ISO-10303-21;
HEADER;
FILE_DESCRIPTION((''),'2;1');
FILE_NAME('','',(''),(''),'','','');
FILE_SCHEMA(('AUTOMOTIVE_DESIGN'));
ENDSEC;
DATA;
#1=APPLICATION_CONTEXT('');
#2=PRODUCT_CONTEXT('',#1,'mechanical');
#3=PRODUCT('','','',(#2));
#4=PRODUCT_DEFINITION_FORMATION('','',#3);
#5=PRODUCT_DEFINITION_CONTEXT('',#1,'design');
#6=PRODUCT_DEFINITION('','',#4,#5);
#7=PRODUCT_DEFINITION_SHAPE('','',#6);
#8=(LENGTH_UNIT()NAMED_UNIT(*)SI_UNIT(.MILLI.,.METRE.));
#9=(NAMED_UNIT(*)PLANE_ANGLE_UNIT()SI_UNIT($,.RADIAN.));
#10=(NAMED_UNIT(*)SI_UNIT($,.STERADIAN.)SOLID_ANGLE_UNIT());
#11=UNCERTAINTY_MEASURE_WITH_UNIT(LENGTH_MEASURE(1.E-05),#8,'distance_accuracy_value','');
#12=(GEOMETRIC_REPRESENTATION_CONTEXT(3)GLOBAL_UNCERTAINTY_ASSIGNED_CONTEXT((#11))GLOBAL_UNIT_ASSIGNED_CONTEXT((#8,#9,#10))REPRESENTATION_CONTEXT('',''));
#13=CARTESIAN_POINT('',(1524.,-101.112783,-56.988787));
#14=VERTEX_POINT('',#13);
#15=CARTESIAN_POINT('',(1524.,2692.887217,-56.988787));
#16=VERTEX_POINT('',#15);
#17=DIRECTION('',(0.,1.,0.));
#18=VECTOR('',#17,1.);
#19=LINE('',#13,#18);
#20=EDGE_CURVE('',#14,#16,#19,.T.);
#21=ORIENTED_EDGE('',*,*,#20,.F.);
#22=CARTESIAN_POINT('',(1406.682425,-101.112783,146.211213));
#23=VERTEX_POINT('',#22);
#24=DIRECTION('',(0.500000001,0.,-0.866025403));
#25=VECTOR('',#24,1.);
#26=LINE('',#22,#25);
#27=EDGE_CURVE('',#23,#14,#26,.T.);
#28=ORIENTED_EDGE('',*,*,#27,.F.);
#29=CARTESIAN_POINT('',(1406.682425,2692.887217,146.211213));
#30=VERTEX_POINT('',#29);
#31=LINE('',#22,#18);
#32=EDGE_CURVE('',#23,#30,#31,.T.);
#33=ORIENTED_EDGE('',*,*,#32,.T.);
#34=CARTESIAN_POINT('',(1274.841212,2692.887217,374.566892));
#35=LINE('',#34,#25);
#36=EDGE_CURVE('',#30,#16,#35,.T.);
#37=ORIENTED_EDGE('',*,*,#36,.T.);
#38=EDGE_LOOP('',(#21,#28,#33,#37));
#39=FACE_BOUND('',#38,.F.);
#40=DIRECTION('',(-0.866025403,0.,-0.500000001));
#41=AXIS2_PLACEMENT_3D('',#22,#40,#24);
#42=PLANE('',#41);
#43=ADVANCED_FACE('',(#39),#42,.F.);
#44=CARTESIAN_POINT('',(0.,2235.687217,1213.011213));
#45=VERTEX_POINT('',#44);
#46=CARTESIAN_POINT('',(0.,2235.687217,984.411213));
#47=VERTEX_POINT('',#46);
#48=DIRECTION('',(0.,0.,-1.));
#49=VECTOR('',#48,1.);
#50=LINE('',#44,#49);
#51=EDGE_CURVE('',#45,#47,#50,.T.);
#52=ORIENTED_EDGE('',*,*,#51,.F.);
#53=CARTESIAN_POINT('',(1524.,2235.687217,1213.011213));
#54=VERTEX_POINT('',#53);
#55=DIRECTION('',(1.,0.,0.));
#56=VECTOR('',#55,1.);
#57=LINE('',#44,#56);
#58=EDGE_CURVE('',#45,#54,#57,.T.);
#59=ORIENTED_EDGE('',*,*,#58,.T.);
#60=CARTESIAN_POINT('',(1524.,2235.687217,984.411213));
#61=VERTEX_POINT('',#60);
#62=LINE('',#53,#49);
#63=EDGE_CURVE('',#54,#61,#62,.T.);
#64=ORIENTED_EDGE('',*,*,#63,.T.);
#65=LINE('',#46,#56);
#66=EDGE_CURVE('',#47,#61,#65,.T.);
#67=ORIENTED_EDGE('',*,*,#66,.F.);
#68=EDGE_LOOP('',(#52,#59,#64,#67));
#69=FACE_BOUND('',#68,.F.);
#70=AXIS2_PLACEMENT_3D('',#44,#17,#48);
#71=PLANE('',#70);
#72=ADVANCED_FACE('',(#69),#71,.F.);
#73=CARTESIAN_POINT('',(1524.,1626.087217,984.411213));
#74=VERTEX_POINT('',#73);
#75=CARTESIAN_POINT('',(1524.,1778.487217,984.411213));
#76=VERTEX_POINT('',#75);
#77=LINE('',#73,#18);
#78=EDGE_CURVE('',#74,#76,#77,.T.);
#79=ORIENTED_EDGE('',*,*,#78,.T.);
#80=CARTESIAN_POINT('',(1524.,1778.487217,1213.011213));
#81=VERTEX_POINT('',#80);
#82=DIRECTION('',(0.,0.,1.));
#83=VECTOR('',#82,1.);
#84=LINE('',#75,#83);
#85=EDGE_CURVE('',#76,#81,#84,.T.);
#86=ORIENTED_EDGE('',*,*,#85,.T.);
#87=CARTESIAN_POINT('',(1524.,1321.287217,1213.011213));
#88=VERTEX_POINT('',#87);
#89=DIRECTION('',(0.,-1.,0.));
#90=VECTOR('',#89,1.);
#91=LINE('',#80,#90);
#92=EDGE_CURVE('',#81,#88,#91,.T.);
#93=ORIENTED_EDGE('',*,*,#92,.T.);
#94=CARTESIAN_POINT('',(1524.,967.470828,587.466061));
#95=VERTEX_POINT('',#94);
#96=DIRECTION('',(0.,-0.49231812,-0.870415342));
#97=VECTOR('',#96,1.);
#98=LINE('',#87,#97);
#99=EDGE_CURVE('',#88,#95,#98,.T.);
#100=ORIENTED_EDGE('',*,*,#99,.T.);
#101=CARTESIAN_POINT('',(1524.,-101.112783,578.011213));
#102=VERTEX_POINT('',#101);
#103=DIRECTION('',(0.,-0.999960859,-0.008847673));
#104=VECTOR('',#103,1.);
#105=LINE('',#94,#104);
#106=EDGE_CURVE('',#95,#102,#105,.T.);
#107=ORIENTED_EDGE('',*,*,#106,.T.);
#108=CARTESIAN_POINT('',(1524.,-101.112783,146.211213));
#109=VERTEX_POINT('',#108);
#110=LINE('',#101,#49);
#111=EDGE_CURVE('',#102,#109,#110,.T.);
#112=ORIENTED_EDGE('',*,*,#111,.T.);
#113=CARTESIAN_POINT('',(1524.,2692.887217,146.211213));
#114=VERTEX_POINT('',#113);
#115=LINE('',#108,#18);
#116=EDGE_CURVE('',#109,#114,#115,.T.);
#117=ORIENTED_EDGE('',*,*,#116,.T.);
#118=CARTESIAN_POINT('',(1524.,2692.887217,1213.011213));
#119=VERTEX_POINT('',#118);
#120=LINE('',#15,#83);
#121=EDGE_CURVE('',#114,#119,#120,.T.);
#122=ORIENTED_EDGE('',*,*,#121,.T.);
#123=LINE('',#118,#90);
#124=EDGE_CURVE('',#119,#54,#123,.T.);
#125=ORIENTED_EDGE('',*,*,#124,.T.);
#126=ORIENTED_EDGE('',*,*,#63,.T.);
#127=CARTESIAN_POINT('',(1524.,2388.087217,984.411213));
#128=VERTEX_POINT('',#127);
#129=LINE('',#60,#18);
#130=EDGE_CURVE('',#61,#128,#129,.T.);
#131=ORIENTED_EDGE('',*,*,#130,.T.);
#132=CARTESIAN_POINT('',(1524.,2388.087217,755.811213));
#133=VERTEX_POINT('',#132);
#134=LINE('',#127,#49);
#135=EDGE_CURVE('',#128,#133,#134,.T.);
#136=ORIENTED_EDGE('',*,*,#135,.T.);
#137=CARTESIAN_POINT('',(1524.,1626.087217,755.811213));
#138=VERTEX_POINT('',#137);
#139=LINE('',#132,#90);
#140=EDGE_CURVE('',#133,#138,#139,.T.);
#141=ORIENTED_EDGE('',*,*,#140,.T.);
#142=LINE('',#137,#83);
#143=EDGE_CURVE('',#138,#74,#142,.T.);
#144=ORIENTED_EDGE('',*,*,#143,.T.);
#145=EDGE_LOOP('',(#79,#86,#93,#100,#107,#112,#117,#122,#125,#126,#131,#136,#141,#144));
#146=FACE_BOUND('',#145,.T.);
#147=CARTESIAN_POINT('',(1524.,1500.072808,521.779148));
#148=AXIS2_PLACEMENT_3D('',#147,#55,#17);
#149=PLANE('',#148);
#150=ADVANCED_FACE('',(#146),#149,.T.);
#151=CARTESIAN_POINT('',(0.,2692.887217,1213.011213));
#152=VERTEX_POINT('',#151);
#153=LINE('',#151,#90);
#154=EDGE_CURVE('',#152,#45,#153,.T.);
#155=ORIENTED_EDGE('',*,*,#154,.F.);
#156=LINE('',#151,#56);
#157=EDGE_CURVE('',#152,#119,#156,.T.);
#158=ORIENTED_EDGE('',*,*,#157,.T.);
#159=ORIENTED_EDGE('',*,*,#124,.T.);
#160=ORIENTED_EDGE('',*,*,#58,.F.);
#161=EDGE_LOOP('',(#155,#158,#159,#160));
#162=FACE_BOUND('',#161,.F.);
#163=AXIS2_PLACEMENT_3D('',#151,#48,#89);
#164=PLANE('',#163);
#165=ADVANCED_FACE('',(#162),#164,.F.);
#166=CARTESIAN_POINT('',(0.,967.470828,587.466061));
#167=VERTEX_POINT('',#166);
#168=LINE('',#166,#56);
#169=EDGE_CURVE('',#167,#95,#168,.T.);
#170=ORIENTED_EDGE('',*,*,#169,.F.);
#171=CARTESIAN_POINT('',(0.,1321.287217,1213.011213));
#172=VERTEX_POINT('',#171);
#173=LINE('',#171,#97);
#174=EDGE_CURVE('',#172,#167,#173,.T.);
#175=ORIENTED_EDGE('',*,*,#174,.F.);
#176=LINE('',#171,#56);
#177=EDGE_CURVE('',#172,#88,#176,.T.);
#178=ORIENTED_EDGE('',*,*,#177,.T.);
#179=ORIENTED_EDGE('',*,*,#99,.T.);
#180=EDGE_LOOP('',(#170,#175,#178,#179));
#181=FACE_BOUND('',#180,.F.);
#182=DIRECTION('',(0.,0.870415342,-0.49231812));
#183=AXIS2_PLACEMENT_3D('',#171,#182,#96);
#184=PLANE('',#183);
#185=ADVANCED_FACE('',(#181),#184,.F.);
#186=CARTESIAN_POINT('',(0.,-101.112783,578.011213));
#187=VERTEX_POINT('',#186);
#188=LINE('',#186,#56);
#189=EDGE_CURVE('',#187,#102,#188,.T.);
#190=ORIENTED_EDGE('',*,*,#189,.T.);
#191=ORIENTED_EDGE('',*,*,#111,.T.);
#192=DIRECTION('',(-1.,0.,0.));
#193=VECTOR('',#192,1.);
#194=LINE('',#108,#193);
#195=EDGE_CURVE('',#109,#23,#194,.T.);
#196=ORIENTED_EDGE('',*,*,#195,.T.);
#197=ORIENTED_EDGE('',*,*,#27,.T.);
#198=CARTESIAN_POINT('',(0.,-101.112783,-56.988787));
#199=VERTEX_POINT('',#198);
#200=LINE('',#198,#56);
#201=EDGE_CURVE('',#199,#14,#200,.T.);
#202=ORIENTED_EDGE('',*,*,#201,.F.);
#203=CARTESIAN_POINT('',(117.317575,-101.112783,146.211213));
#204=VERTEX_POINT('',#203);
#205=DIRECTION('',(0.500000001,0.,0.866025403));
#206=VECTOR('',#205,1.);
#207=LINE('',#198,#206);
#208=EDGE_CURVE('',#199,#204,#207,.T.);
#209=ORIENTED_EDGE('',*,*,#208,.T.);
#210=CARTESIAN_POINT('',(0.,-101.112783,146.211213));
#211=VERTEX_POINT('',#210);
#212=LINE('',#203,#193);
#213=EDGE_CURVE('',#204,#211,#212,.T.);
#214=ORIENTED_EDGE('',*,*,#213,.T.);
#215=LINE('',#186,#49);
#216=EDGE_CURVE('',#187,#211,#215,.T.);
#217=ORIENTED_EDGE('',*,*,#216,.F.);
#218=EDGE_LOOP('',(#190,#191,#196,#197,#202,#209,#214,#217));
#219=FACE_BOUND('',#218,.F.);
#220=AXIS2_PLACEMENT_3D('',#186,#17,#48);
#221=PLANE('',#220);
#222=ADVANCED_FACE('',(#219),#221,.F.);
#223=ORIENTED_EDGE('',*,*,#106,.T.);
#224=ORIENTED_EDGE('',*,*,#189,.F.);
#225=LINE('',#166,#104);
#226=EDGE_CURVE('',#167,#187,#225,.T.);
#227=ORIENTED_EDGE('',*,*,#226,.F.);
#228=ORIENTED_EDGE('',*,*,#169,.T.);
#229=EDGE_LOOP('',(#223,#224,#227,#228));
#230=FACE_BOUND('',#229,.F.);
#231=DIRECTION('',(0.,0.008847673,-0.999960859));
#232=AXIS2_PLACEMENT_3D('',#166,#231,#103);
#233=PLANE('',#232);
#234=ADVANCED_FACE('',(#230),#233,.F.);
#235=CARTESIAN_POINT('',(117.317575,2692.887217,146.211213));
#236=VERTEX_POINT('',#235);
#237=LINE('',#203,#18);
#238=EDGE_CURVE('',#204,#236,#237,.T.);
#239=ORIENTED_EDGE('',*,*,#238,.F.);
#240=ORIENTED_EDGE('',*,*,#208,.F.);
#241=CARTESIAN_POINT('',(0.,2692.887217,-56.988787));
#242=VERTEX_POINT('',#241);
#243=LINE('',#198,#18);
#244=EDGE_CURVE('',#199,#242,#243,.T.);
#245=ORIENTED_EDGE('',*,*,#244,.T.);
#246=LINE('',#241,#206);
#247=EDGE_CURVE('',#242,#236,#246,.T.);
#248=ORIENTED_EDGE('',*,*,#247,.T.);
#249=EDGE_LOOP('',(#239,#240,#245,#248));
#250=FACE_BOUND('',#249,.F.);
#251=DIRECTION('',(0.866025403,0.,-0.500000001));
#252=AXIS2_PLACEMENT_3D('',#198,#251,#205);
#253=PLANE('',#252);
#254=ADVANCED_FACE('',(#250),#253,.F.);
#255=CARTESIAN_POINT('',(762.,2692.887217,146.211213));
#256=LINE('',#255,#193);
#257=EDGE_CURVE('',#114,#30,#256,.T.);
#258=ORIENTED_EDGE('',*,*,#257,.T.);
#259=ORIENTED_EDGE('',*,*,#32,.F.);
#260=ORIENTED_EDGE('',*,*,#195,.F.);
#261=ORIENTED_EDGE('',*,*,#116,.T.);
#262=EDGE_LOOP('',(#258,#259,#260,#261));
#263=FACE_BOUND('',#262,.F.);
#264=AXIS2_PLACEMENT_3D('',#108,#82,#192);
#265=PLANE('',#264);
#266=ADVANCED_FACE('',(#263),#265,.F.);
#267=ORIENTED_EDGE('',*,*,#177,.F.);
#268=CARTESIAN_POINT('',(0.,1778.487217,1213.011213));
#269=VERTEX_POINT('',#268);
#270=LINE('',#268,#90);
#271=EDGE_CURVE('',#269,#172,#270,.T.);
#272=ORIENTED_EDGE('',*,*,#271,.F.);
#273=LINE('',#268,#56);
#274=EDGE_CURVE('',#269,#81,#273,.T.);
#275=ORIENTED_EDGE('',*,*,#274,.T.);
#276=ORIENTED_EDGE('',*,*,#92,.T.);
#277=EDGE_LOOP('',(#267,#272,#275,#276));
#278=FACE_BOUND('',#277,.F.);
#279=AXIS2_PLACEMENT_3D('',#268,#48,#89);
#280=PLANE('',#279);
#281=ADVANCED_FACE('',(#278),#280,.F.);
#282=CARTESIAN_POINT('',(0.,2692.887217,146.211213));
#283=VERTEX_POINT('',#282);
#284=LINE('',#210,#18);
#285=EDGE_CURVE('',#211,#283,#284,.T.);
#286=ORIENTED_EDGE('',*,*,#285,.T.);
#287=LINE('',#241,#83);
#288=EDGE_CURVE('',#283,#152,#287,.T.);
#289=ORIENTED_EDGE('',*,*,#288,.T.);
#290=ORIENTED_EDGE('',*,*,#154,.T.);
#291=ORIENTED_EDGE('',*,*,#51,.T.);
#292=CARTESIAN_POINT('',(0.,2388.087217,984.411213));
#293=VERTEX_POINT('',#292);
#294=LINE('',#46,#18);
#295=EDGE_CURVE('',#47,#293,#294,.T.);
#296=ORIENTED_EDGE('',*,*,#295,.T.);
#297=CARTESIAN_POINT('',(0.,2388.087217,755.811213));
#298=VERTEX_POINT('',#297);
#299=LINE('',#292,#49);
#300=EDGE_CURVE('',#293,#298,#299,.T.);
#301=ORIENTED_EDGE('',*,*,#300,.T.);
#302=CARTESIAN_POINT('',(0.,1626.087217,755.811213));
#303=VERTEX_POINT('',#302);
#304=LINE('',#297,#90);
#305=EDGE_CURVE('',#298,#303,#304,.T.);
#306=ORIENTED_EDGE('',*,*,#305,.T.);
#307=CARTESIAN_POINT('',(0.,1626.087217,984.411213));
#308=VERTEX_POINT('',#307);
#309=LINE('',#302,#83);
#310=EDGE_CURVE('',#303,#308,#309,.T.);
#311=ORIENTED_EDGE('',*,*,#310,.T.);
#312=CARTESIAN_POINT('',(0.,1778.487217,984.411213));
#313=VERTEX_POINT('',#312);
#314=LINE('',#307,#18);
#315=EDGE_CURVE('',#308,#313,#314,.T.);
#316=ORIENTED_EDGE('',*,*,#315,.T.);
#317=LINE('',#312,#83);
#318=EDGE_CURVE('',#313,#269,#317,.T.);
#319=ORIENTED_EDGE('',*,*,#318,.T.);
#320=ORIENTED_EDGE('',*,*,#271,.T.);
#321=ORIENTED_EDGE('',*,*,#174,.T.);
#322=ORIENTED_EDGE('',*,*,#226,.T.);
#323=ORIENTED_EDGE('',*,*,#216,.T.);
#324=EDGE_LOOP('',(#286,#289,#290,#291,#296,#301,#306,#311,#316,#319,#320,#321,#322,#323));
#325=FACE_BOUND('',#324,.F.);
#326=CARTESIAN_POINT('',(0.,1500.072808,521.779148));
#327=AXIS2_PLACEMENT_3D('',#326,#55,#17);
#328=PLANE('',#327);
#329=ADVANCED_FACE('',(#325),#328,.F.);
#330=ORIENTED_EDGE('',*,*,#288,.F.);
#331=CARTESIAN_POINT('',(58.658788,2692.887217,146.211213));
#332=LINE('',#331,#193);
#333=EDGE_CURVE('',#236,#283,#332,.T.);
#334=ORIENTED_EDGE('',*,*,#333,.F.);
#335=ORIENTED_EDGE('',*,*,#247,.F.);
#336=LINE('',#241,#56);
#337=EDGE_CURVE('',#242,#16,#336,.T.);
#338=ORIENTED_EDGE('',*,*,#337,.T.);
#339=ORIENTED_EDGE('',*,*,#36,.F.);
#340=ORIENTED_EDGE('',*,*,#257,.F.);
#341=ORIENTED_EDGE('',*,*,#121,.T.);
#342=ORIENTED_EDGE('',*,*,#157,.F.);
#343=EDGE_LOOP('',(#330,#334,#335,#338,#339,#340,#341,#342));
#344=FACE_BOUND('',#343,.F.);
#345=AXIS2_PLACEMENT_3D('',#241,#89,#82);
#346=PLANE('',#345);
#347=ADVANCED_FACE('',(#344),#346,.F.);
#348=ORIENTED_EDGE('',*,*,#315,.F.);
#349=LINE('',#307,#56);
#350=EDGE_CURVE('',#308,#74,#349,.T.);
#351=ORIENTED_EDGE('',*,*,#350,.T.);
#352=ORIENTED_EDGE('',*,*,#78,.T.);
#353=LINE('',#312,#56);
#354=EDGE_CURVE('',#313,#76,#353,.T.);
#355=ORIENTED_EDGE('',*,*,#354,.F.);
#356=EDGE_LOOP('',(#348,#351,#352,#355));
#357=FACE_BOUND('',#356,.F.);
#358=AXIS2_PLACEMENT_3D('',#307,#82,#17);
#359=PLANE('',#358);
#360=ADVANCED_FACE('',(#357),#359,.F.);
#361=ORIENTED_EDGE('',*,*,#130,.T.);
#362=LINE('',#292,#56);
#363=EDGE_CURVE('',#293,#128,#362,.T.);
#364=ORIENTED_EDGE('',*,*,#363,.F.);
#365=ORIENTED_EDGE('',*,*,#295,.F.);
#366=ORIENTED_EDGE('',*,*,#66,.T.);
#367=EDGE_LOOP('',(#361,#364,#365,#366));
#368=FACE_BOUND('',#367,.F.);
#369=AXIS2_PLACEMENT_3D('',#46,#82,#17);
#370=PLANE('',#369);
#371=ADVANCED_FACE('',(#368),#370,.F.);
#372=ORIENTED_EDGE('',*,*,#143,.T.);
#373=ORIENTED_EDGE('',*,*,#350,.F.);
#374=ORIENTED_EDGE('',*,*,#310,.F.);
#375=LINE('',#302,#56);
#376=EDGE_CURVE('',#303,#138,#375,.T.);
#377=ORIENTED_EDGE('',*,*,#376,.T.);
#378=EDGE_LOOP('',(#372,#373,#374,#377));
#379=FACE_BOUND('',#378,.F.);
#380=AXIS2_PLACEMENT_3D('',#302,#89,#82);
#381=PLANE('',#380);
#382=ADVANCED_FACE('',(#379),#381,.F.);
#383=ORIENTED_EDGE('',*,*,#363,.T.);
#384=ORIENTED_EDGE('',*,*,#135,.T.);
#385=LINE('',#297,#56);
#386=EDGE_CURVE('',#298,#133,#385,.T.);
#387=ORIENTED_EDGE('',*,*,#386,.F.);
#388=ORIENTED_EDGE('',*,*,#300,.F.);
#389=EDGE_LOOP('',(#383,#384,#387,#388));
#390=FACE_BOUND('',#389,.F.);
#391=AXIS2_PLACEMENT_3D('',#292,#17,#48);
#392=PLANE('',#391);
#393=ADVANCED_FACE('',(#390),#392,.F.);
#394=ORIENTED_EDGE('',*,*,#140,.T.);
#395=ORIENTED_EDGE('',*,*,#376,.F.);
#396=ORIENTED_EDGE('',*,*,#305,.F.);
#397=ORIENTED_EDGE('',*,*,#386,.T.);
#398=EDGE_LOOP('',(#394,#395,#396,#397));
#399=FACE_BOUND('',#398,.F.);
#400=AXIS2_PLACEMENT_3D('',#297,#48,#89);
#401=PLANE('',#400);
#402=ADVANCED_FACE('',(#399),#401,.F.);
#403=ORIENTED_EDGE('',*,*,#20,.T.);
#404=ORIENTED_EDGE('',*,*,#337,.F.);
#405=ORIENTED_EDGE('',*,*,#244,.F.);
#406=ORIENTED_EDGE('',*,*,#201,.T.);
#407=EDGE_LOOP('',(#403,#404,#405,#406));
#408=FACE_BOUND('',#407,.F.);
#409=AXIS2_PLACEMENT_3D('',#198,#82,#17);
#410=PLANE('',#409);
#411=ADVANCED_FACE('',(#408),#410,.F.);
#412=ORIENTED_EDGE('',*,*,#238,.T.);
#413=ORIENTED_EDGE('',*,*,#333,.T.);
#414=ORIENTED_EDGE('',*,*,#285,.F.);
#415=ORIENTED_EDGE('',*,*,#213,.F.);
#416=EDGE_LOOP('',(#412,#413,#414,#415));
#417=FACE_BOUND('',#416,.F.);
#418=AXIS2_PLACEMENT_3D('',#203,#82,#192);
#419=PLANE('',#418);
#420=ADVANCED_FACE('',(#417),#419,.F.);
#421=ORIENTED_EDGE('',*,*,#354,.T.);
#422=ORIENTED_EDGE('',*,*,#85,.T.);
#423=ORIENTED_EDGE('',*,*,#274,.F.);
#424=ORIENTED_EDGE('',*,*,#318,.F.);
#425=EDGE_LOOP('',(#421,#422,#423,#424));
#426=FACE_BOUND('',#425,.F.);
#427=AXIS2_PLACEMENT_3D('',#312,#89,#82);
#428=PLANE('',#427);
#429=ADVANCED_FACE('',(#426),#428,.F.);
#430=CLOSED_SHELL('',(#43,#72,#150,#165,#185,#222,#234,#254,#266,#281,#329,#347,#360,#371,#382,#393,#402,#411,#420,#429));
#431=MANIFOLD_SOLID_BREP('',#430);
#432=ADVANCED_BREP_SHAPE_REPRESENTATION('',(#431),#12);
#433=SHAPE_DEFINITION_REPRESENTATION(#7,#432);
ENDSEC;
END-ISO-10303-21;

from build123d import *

# Parameters (mm, degrees)
F1_DEPTH = 1524
F3_DEPTH = 2794.001


with BuildPart() as f1:
    # F0 (on Right) → F1 (new body)
    with BuildSketch(Plane.YZ):
        Polygon((-101.112783, 578.011213), (-101.112783, -56.988787), (2692.887217, -56.988787), (2692.887217, 1213.011213), (2235.687217, 1213.011213), (2235.687217, 984.411213), (2388.087217, 984.411213), (2388.087217, 755.811213), (1626.087217, 755.811213), (1626.087217, 984.411213), (1778.487217, 984.411213), (1778.487217, 1213.011213), (1321.287217, 1213.011213), (967.470828, 587.466061), align=None)
    extrude(amount=F1_DEPTH)

    # F2 (on face) → F3 (cut, through all)
    with BuildSketch(Plane.XZ.offset(101.112783)):
        Polygon((1406.682425, 146.211213), (1524, -56.988787), (1524, 146.211213), align=None)
        Polygon((0, 146.211213), (0, -56.988787), (117.317575, 146.211213), align=None)
    extrude(amount=-F3_DEPTH, mode=Mode.SUBTRACT)


solid = f1.part
